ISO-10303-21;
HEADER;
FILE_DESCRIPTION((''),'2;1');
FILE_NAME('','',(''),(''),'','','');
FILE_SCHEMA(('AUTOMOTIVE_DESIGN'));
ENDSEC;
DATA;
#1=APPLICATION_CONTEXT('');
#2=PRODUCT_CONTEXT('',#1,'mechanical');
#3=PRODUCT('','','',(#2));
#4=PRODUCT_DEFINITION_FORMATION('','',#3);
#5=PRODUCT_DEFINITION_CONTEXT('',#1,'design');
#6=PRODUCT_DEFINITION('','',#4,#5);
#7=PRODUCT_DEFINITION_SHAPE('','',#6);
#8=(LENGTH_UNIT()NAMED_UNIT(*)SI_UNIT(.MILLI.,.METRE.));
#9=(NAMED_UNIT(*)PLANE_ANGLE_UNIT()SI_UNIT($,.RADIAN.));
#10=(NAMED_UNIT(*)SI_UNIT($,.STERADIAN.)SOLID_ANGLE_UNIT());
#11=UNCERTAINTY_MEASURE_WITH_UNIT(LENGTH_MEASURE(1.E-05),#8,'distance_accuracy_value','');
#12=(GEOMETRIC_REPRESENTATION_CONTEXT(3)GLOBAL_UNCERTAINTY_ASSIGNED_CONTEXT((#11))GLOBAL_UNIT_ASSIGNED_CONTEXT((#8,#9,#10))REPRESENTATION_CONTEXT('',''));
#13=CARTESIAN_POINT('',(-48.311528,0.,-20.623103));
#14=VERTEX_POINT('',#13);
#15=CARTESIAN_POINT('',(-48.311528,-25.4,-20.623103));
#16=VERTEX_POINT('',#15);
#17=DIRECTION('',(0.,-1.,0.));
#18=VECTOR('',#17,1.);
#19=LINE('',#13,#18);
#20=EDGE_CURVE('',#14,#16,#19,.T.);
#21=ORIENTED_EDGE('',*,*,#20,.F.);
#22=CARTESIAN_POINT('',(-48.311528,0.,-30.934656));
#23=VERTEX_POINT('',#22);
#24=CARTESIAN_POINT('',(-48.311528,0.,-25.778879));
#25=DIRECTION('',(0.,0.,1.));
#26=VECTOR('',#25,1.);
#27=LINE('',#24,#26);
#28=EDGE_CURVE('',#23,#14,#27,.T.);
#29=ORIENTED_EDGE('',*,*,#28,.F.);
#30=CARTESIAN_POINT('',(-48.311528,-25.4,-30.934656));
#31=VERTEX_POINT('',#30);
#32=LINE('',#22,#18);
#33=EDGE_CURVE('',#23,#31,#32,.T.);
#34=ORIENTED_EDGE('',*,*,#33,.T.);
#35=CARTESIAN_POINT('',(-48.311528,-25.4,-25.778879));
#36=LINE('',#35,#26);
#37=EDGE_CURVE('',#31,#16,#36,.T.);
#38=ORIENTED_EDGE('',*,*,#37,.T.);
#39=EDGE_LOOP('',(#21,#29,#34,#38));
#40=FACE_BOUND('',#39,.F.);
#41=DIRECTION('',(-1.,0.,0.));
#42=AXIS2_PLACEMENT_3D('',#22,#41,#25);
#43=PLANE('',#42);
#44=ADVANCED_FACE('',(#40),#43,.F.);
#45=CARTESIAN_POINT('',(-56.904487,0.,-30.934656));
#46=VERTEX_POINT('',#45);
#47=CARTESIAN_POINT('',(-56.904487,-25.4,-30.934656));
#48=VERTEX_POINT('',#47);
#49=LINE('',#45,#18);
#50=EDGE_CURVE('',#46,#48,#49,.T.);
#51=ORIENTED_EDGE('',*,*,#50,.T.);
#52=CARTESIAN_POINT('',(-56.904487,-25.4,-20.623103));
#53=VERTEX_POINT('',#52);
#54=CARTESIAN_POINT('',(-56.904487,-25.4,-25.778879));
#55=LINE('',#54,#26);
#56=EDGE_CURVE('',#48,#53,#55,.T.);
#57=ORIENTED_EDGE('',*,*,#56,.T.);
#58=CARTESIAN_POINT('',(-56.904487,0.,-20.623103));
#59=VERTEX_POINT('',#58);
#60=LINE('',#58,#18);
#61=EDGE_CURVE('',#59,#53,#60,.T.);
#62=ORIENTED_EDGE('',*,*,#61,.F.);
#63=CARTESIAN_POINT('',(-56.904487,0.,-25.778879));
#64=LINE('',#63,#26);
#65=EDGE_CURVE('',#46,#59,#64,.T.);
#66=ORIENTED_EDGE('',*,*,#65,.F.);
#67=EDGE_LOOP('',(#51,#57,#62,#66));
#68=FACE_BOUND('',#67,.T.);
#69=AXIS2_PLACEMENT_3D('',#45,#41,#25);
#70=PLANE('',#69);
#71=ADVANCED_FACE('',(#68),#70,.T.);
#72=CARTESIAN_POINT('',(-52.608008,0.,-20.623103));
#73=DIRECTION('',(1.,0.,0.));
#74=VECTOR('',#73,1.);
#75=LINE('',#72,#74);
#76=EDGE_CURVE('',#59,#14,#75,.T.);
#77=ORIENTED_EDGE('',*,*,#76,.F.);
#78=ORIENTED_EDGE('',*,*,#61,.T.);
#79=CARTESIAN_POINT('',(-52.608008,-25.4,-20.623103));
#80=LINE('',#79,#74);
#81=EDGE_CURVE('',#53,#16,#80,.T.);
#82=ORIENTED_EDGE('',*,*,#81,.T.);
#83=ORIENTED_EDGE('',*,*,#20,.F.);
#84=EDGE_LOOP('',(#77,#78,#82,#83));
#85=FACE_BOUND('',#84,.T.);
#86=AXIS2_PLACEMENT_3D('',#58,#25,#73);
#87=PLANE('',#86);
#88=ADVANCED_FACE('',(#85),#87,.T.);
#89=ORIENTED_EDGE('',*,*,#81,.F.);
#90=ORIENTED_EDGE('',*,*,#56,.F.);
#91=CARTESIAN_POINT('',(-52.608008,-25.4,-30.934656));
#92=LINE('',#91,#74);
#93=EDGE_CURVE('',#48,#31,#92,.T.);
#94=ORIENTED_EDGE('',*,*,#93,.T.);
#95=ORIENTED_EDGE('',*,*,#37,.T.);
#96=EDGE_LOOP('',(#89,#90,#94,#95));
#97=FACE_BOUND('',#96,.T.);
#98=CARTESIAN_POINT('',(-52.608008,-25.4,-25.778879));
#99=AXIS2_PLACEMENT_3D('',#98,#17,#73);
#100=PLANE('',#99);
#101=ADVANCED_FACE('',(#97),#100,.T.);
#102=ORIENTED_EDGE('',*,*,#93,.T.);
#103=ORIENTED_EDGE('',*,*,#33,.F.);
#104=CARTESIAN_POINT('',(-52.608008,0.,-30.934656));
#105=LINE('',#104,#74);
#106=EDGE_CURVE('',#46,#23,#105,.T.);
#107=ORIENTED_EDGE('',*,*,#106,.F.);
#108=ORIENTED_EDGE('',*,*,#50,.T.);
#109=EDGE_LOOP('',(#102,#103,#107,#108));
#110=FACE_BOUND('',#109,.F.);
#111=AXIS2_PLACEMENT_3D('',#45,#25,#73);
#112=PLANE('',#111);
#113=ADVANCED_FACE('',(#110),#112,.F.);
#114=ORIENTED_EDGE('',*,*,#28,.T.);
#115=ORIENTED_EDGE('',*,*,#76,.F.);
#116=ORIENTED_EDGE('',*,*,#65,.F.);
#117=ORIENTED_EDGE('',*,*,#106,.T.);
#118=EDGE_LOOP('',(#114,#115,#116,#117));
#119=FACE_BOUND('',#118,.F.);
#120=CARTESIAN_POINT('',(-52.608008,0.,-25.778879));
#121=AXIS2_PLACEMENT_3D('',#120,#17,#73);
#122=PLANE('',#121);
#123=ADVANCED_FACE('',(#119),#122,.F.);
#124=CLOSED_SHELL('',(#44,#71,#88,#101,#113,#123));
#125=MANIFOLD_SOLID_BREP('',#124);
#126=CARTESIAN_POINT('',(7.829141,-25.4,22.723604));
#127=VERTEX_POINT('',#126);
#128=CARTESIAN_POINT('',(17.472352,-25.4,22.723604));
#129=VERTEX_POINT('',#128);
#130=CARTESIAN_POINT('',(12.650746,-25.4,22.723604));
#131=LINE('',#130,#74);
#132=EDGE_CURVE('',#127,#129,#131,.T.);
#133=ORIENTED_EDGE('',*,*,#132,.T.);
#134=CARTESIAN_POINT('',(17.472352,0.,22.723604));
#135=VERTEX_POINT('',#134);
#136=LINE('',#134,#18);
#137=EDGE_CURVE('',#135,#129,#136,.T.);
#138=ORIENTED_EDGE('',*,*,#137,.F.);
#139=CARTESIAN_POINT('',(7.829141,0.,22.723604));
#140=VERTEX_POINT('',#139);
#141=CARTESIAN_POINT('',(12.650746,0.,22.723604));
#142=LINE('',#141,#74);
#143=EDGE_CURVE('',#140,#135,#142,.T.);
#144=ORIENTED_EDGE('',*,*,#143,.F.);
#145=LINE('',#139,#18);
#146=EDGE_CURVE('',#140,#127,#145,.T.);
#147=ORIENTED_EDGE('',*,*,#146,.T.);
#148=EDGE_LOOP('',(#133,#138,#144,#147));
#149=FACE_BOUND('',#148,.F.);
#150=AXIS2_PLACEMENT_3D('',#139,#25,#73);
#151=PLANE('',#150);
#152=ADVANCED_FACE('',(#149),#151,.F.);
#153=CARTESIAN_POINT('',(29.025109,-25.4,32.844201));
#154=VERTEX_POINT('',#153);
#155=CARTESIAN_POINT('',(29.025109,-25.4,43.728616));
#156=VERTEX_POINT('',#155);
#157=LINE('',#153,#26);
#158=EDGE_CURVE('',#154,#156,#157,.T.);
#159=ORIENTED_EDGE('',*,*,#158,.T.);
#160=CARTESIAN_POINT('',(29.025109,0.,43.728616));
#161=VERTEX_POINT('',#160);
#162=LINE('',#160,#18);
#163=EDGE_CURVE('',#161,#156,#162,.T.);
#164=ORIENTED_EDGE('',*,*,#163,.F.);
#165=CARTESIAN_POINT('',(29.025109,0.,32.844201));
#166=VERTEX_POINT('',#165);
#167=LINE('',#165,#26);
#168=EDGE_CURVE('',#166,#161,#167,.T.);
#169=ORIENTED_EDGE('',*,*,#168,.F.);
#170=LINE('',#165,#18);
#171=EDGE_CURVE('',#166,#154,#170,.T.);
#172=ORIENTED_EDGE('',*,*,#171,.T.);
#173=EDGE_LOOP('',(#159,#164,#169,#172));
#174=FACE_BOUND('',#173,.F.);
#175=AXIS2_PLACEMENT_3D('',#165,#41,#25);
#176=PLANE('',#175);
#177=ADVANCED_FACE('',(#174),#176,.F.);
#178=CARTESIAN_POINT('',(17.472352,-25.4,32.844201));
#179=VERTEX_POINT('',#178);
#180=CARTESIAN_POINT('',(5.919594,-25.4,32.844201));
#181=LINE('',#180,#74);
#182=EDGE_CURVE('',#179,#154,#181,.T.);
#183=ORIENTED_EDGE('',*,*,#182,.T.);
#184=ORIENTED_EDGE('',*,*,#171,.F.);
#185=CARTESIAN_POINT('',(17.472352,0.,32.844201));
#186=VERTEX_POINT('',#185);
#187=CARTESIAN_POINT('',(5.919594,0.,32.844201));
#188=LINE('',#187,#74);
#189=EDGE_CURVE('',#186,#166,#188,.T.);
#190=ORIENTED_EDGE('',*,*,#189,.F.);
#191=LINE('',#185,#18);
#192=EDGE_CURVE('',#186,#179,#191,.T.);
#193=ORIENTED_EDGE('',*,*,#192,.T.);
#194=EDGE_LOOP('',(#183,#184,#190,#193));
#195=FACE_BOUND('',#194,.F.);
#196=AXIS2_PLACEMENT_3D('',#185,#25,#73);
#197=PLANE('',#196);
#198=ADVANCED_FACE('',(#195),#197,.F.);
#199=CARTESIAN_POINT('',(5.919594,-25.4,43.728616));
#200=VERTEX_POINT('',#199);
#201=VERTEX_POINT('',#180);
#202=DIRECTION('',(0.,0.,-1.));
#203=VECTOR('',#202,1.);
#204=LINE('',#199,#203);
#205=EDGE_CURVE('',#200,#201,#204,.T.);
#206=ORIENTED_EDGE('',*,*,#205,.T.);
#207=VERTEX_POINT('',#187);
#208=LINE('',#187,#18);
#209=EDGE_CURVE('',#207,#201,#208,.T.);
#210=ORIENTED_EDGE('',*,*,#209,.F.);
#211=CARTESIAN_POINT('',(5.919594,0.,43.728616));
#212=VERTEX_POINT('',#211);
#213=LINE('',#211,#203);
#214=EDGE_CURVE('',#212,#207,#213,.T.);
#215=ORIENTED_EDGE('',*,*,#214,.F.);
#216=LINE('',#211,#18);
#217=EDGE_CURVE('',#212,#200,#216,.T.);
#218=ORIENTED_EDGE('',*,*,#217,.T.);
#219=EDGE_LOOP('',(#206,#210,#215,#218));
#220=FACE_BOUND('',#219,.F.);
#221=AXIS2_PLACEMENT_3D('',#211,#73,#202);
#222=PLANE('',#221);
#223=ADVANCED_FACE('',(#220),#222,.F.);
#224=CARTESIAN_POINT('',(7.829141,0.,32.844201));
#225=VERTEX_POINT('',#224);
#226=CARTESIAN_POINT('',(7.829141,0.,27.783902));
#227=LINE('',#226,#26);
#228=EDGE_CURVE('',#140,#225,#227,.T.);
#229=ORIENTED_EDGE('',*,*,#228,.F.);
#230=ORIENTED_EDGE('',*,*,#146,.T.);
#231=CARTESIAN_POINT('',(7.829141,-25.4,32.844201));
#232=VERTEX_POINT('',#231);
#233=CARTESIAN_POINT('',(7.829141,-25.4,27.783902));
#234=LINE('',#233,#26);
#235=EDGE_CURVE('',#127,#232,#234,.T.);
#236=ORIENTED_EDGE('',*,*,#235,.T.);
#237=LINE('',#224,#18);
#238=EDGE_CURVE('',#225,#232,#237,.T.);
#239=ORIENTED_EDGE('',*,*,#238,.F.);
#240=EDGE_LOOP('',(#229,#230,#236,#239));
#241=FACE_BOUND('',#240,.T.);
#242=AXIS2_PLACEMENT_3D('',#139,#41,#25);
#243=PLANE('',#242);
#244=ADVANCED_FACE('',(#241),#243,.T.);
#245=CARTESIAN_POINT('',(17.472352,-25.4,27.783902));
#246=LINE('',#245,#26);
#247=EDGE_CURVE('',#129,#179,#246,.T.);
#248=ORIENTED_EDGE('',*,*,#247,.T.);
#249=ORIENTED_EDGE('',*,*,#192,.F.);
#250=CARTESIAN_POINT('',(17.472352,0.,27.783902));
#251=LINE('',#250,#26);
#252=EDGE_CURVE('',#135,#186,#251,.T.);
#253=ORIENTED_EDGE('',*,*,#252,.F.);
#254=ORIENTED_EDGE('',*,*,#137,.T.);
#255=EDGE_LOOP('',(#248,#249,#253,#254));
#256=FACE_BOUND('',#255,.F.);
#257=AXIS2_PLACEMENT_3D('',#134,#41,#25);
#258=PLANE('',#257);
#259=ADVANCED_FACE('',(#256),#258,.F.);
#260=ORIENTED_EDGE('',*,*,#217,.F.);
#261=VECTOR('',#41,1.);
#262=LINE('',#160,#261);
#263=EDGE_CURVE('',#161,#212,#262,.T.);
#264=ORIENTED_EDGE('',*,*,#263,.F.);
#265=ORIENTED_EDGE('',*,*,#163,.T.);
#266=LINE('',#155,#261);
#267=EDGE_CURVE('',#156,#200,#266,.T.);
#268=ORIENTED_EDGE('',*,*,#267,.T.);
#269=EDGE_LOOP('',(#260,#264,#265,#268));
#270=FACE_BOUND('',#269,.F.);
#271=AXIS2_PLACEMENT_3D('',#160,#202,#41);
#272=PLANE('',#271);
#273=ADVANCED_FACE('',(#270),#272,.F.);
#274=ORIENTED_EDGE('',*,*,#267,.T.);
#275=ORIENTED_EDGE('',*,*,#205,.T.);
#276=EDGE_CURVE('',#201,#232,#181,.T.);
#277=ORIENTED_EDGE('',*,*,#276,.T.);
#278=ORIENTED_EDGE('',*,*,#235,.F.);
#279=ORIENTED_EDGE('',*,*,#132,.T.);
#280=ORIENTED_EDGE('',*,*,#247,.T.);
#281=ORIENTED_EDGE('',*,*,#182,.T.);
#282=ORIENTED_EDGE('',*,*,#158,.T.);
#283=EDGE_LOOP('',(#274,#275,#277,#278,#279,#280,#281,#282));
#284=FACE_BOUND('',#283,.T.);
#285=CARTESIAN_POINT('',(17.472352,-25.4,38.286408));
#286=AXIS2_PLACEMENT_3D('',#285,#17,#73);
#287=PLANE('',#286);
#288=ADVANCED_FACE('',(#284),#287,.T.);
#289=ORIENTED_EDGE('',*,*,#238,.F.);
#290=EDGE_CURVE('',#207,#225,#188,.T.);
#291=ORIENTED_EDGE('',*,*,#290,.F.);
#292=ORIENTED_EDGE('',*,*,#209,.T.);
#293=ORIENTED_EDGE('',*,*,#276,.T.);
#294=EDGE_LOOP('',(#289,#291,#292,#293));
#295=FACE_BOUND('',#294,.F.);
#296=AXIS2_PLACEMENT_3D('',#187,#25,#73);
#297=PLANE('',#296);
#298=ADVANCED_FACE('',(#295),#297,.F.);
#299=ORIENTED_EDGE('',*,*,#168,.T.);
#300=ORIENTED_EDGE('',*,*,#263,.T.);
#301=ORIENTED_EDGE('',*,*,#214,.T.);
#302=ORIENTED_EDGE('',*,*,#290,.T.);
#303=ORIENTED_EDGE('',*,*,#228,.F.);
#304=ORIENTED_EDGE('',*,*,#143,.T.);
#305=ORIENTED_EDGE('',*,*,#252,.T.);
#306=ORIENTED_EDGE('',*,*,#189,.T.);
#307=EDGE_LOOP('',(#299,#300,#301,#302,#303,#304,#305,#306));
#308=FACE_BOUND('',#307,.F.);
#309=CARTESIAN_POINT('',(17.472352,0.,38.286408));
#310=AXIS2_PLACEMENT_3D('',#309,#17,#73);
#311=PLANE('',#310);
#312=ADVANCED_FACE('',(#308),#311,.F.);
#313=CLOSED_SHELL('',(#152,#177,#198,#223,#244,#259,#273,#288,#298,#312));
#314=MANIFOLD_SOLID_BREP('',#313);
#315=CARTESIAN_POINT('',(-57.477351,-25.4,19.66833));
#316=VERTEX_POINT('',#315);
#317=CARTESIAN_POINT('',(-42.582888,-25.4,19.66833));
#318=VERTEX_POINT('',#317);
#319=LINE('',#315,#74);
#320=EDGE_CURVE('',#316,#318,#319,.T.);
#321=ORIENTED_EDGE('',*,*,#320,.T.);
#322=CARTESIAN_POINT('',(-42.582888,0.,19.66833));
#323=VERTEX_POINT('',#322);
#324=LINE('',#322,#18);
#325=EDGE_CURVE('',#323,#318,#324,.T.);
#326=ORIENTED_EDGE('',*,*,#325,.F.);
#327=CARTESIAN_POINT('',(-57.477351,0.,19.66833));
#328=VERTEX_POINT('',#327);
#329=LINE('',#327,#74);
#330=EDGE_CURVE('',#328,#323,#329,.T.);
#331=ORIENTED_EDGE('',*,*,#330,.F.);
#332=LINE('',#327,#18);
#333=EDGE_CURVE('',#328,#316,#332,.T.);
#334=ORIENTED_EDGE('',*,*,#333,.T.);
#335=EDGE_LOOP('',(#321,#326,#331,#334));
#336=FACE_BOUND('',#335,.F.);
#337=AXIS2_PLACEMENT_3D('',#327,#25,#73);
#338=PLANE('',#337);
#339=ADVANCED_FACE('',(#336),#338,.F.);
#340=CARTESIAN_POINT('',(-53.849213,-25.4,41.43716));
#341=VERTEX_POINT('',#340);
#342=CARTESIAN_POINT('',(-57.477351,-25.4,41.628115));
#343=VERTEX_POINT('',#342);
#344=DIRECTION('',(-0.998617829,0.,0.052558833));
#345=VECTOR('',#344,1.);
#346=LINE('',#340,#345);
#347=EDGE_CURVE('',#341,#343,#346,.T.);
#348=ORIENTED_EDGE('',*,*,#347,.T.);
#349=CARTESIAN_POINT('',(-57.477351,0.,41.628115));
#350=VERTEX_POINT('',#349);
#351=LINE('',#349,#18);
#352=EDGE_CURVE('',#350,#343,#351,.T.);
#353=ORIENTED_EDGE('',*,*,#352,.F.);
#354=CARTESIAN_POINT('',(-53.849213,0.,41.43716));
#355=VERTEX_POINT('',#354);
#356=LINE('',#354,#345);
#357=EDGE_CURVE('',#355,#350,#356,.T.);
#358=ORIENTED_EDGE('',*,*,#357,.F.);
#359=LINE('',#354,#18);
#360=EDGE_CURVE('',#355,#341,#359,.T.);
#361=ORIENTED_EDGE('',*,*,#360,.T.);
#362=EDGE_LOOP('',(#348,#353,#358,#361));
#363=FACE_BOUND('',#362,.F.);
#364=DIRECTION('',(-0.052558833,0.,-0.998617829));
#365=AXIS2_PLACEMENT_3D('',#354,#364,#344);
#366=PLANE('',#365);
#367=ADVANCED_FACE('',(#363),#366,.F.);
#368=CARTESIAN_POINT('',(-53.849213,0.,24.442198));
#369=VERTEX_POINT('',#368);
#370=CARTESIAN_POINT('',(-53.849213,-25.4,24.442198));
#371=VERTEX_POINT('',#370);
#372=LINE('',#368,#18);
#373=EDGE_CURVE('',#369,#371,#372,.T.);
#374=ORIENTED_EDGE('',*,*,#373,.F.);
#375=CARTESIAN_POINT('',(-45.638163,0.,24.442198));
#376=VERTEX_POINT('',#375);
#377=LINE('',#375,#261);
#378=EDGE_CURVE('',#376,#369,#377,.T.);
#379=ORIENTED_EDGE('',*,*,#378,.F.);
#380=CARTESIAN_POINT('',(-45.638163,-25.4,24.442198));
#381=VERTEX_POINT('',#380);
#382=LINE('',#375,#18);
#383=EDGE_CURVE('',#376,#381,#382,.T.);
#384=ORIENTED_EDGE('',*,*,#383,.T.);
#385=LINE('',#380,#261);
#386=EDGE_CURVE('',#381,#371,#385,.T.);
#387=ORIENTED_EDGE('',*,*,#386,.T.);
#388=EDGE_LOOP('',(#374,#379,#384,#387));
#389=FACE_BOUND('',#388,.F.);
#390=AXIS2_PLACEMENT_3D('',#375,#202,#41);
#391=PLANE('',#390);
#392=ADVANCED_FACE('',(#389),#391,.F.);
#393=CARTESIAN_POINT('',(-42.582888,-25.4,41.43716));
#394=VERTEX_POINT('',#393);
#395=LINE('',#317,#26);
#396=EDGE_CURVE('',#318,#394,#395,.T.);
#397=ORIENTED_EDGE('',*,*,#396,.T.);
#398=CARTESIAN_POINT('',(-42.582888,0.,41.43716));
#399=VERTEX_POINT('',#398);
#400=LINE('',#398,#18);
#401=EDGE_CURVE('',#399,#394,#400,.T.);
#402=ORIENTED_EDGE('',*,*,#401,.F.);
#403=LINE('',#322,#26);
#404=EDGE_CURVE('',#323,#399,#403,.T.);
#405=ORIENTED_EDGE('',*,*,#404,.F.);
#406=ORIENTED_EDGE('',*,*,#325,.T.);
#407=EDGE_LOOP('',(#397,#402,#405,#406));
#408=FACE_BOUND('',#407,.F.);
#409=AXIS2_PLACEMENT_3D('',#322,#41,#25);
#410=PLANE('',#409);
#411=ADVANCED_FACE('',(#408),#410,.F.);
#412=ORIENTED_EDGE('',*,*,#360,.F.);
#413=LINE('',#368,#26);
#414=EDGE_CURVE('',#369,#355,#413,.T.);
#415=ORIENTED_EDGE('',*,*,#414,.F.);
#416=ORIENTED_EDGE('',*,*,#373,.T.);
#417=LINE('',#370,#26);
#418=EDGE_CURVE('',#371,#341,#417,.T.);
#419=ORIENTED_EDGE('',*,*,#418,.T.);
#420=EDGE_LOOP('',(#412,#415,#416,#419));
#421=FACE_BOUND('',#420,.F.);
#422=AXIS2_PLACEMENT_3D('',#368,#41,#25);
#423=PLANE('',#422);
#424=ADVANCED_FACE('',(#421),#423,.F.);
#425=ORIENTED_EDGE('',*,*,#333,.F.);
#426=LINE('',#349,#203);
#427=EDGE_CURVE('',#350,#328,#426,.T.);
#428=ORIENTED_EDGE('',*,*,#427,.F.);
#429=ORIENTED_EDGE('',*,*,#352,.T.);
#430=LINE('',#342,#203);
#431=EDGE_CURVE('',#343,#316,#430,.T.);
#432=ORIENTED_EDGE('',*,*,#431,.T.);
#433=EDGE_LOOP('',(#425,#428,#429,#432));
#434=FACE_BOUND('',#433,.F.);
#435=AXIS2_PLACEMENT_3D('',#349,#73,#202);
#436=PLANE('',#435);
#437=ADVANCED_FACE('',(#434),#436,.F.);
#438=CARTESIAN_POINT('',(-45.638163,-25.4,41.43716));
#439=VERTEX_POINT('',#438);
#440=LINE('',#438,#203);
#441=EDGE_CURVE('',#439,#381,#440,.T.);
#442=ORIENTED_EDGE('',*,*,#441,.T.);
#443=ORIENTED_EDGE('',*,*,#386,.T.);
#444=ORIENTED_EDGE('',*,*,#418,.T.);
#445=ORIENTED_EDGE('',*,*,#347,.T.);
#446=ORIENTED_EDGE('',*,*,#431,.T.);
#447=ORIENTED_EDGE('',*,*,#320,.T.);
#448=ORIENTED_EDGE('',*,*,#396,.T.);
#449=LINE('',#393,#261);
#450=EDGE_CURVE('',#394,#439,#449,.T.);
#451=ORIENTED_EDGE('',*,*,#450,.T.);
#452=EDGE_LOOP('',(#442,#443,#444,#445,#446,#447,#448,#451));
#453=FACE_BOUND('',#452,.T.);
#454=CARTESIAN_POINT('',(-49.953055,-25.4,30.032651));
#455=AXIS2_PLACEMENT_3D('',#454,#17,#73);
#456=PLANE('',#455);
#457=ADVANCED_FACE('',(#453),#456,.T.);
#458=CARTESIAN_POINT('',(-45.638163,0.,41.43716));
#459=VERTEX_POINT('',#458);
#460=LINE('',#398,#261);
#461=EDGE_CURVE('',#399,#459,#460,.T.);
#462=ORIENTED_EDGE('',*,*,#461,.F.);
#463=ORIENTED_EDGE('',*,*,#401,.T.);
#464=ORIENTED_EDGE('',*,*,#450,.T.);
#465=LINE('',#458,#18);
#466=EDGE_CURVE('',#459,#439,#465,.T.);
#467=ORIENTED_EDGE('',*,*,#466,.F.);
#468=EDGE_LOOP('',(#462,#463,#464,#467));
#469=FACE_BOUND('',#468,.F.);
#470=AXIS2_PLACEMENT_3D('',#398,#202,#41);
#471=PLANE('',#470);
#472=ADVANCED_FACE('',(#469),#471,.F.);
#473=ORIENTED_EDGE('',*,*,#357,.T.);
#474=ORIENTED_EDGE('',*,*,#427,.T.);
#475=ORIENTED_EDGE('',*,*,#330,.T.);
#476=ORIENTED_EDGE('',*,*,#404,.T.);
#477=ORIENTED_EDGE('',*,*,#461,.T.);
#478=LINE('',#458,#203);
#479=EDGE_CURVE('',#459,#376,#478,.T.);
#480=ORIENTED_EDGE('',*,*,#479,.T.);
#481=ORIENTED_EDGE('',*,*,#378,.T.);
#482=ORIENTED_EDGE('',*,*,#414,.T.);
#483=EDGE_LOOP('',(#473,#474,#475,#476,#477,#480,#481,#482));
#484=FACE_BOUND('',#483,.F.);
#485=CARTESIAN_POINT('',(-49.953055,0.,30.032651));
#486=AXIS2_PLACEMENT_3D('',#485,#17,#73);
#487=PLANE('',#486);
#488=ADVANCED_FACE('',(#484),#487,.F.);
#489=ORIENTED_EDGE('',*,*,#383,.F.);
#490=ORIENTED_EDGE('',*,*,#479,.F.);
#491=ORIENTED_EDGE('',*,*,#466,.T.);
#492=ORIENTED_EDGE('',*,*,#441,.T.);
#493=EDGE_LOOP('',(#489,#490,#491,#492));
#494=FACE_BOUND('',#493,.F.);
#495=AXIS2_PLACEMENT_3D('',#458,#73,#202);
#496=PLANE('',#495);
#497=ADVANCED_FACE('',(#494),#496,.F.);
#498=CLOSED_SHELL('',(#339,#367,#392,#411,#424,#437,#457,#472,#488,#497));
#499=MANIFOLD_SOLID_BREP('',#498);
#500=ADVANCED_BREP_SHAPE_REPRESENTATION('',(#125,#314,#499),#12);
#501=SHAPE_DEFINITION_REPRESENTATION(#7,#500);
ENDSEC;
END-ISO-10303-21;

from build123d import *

# Parameters (mm, degrees)
F1_DEPTH = 25.4
F2_W     = 9.6432107966
F2_H     = 10.1205967367
F3_DEPTH = 25.4
F4_W     = 8.5929594934
F4_H     = 10.3115532547
F5_DEPTH = 25.4


with BuildPart() as f1:
    # F0 (on Front) → F1 (new body)
    with BuildSketch(Plane.XZ):
        Polygon((-53.8492128253, 41.4371602237), (-57.4773512781, 41.6281148791), (-57.4773512781, 19.6683295071), (-42.5828881562, 19.6683295071), (-42.5828881562, 41.4371602237), (-45.6381626427, 41.4371602237), (-45.6381626427, 24.442197755), (-53.8492128253, 24.442197755), align=None)
    extrude(amount=F1_DEPTH)


with BuildPart() as f3:
    # F2 (on Front) → F3 (new body)
    with BuildSketch(Plane.XZ):
        Polygon((29.0251094848, 43.7286160886), (5.919593852, 43.7286160886), (5.919593852, 32.8442007303), (7.8291408718, 32.8442007303), (17.4723516684, 32.8442007303), (29.0251094848, 32.8442007303), align=None)
        with Locations((12.6507462701, 27.783902362)):
            Rectangle(F2_W, F2_H)
    extrude(amount=F3_DEPTH)


with BuildPart() as f5:
    # F4 (on Front) → F5 (new body)
    with BuildSketch(Plane.XZ):
        with Locations((-52.6080075651, -25.7788794115)):
            Rectangle(F4_W, F4_H)
    extrude(amount=F5_DEPTH)


solid = Compound([f1.part, f3.part, f5.part])
